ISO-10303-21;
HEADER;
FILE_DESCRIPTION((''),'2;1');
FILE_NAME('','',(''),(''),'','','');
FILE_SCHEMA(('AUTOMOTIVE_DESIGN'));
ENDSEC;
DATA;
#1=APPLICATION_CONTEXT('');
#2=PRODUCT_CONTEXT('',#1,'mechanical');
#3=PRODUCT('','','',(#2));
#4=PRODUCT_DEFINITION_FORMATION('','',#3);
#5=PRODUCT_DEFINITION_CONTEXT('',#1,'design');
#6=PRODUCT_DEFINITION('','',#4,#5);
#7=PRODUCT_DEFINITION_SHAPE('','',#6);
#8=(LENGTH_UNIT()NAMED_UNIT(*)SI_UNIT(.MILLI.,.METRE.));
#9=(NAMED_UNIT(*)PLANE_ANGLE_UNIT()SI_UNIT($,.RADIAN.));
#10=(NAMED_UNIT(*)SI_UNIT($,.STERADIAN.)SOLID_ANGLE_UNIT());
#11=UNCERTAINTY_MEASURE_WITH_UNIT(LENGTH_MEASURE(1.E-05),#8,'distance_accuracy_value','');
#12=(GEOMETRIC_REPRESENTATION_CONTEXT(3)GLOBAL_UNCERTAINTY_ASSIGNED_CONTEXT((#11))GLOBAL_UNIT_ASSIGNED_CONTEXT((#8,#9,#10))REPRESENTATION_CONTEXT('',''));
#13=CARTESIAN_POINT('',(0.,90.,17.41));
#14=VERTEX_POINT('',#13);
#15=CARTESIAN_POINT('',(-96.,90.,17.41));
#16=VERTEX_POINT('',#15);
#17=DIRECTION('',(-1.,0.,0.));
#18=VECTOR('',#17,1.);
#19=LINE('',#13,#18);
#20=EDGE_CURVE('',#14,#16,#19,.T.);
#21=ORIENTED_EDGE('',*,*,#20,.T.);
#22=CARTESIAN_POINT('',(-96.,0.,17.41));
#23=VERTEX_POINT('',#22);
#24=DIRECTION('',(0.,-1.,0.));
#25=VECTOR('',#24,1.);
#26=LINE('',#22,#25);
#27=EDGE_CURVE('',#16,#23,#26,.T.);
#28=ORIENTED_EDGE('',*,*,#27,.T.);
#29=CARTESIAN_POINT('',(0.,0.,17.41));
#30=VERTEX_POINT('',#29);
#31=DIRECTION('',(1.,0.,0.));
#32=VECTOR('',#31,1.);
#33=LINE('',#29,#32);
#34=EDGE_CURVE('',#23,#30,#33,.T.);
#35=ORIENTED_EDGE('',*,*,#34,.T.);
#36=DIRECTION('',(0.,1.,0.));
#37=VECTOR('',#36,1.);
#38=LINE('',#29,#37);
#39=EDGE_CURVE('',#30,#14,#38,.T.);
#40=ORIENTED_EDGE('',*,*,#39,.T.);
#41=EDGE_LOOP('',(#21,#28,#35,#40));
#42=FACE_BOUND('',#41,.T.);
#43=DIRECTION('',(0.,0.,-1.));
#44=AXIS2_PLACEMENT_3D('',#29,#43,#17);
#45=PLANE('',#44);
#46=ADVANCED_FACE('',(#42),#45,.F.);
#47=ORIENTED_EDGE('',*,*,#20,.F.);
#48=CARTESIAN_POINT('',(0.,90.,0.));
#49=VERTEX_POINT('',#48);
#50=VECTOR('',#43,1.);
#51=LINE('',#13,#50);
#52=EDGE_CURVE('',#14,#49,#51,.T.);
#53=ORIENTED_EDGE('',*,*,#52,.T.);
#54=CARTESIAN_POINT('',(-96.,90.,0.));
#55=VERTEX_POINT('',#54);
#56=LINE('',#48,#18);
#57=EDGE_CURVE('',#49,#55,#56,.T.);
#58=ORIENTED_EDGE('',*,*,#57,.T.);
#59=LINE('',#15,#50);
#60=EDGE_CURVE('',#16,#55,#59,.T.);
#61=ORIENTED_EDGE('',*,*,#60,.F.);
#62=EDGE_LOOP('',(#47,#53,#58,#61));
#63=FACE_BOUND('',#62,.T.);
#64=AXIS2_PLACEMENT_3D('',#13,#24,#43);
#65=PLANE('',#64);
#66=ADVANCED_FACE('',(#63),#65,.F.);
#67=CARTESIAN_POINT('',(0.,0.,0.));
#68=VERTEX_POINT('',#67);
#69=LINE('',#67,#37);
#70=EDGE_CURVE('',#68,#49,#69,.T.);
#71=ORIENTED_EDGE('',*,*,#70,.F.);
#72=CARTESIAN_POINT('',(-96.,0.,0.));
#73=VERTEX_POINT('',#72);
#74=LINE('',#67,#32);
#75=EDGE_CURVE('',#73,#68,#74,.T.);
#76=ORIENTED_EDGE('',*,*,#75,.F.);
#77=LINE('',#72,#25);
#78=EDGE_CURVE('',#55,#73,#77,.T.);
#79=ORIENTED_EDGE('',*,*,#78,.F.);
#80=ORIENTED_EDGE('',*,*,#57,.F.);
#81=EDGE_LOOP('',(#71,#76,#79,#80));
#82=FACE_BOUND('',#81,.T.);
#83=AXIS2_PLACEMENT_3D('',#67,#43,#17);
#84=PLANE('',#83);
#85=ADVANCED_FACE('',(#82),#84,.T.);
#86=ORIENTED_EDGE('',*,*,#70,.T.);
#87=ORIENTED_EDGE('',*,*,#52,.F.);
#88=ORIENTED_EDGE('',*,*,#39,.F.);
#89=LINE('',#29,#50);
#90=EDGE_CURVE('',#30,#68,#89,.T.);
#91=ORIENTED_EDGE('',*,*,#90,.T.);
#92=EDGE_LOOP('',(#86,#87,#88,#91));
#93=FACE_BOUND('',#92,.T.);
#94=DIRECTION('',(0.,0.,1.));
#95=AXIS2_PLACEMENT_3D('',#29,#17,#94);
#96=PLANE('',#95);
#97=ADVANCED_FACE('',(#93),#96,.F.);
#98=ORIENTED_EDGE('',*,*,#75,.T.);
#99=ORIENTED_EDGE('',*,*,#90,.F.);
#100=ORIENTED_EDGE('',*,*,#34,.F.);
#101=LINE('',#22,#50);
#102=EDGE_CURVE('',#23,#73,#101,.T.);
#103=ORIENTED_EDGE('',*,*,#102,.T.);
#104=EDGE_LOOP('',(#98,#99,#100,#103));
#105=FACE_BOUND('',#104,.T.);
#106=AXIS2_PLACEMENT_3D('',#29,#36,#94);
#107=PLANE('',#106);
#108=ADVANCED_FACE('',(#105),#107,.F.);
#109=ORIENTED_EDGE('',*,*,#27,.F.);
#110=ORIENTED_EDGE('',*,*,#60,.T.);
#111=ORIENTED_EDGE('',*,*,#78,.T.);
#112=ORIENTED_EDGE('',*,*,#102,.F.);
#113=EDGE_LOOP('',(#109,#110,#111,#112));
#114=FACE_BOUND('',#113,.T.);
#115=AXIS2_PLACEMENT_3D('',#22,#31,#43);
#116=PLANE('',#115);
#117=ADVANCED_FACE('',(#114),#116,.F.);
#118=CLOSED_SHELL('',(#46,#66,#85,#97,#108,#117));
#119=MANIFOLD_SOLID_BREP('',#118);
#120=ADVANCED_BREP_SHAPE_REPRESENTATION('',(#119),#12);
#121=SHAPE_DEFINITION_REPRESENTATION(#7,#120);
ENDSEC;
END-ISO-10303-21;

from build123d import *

# Parameters (mm, degrees)
SKETCH1_W           = 90
SKETCH1_H           = 96
BOSS_EXTRUDE1_DEPTH = 17.41


with BuildPart() as part:
    # Sketch1 → Boss-Extrude1 (new body)
    with BuildSketch(Plane(origin=(0, 0, 0), x_dir=(0, 1, 0), z_dir=(0, 0, 1))):
        with Locations((45, 48)):
            Rectangle(SKETCH1_W, SKETCH1_H)
    extrude(amount=BOSS_EXTRUDE1_DEPTH)


solid = part.part
